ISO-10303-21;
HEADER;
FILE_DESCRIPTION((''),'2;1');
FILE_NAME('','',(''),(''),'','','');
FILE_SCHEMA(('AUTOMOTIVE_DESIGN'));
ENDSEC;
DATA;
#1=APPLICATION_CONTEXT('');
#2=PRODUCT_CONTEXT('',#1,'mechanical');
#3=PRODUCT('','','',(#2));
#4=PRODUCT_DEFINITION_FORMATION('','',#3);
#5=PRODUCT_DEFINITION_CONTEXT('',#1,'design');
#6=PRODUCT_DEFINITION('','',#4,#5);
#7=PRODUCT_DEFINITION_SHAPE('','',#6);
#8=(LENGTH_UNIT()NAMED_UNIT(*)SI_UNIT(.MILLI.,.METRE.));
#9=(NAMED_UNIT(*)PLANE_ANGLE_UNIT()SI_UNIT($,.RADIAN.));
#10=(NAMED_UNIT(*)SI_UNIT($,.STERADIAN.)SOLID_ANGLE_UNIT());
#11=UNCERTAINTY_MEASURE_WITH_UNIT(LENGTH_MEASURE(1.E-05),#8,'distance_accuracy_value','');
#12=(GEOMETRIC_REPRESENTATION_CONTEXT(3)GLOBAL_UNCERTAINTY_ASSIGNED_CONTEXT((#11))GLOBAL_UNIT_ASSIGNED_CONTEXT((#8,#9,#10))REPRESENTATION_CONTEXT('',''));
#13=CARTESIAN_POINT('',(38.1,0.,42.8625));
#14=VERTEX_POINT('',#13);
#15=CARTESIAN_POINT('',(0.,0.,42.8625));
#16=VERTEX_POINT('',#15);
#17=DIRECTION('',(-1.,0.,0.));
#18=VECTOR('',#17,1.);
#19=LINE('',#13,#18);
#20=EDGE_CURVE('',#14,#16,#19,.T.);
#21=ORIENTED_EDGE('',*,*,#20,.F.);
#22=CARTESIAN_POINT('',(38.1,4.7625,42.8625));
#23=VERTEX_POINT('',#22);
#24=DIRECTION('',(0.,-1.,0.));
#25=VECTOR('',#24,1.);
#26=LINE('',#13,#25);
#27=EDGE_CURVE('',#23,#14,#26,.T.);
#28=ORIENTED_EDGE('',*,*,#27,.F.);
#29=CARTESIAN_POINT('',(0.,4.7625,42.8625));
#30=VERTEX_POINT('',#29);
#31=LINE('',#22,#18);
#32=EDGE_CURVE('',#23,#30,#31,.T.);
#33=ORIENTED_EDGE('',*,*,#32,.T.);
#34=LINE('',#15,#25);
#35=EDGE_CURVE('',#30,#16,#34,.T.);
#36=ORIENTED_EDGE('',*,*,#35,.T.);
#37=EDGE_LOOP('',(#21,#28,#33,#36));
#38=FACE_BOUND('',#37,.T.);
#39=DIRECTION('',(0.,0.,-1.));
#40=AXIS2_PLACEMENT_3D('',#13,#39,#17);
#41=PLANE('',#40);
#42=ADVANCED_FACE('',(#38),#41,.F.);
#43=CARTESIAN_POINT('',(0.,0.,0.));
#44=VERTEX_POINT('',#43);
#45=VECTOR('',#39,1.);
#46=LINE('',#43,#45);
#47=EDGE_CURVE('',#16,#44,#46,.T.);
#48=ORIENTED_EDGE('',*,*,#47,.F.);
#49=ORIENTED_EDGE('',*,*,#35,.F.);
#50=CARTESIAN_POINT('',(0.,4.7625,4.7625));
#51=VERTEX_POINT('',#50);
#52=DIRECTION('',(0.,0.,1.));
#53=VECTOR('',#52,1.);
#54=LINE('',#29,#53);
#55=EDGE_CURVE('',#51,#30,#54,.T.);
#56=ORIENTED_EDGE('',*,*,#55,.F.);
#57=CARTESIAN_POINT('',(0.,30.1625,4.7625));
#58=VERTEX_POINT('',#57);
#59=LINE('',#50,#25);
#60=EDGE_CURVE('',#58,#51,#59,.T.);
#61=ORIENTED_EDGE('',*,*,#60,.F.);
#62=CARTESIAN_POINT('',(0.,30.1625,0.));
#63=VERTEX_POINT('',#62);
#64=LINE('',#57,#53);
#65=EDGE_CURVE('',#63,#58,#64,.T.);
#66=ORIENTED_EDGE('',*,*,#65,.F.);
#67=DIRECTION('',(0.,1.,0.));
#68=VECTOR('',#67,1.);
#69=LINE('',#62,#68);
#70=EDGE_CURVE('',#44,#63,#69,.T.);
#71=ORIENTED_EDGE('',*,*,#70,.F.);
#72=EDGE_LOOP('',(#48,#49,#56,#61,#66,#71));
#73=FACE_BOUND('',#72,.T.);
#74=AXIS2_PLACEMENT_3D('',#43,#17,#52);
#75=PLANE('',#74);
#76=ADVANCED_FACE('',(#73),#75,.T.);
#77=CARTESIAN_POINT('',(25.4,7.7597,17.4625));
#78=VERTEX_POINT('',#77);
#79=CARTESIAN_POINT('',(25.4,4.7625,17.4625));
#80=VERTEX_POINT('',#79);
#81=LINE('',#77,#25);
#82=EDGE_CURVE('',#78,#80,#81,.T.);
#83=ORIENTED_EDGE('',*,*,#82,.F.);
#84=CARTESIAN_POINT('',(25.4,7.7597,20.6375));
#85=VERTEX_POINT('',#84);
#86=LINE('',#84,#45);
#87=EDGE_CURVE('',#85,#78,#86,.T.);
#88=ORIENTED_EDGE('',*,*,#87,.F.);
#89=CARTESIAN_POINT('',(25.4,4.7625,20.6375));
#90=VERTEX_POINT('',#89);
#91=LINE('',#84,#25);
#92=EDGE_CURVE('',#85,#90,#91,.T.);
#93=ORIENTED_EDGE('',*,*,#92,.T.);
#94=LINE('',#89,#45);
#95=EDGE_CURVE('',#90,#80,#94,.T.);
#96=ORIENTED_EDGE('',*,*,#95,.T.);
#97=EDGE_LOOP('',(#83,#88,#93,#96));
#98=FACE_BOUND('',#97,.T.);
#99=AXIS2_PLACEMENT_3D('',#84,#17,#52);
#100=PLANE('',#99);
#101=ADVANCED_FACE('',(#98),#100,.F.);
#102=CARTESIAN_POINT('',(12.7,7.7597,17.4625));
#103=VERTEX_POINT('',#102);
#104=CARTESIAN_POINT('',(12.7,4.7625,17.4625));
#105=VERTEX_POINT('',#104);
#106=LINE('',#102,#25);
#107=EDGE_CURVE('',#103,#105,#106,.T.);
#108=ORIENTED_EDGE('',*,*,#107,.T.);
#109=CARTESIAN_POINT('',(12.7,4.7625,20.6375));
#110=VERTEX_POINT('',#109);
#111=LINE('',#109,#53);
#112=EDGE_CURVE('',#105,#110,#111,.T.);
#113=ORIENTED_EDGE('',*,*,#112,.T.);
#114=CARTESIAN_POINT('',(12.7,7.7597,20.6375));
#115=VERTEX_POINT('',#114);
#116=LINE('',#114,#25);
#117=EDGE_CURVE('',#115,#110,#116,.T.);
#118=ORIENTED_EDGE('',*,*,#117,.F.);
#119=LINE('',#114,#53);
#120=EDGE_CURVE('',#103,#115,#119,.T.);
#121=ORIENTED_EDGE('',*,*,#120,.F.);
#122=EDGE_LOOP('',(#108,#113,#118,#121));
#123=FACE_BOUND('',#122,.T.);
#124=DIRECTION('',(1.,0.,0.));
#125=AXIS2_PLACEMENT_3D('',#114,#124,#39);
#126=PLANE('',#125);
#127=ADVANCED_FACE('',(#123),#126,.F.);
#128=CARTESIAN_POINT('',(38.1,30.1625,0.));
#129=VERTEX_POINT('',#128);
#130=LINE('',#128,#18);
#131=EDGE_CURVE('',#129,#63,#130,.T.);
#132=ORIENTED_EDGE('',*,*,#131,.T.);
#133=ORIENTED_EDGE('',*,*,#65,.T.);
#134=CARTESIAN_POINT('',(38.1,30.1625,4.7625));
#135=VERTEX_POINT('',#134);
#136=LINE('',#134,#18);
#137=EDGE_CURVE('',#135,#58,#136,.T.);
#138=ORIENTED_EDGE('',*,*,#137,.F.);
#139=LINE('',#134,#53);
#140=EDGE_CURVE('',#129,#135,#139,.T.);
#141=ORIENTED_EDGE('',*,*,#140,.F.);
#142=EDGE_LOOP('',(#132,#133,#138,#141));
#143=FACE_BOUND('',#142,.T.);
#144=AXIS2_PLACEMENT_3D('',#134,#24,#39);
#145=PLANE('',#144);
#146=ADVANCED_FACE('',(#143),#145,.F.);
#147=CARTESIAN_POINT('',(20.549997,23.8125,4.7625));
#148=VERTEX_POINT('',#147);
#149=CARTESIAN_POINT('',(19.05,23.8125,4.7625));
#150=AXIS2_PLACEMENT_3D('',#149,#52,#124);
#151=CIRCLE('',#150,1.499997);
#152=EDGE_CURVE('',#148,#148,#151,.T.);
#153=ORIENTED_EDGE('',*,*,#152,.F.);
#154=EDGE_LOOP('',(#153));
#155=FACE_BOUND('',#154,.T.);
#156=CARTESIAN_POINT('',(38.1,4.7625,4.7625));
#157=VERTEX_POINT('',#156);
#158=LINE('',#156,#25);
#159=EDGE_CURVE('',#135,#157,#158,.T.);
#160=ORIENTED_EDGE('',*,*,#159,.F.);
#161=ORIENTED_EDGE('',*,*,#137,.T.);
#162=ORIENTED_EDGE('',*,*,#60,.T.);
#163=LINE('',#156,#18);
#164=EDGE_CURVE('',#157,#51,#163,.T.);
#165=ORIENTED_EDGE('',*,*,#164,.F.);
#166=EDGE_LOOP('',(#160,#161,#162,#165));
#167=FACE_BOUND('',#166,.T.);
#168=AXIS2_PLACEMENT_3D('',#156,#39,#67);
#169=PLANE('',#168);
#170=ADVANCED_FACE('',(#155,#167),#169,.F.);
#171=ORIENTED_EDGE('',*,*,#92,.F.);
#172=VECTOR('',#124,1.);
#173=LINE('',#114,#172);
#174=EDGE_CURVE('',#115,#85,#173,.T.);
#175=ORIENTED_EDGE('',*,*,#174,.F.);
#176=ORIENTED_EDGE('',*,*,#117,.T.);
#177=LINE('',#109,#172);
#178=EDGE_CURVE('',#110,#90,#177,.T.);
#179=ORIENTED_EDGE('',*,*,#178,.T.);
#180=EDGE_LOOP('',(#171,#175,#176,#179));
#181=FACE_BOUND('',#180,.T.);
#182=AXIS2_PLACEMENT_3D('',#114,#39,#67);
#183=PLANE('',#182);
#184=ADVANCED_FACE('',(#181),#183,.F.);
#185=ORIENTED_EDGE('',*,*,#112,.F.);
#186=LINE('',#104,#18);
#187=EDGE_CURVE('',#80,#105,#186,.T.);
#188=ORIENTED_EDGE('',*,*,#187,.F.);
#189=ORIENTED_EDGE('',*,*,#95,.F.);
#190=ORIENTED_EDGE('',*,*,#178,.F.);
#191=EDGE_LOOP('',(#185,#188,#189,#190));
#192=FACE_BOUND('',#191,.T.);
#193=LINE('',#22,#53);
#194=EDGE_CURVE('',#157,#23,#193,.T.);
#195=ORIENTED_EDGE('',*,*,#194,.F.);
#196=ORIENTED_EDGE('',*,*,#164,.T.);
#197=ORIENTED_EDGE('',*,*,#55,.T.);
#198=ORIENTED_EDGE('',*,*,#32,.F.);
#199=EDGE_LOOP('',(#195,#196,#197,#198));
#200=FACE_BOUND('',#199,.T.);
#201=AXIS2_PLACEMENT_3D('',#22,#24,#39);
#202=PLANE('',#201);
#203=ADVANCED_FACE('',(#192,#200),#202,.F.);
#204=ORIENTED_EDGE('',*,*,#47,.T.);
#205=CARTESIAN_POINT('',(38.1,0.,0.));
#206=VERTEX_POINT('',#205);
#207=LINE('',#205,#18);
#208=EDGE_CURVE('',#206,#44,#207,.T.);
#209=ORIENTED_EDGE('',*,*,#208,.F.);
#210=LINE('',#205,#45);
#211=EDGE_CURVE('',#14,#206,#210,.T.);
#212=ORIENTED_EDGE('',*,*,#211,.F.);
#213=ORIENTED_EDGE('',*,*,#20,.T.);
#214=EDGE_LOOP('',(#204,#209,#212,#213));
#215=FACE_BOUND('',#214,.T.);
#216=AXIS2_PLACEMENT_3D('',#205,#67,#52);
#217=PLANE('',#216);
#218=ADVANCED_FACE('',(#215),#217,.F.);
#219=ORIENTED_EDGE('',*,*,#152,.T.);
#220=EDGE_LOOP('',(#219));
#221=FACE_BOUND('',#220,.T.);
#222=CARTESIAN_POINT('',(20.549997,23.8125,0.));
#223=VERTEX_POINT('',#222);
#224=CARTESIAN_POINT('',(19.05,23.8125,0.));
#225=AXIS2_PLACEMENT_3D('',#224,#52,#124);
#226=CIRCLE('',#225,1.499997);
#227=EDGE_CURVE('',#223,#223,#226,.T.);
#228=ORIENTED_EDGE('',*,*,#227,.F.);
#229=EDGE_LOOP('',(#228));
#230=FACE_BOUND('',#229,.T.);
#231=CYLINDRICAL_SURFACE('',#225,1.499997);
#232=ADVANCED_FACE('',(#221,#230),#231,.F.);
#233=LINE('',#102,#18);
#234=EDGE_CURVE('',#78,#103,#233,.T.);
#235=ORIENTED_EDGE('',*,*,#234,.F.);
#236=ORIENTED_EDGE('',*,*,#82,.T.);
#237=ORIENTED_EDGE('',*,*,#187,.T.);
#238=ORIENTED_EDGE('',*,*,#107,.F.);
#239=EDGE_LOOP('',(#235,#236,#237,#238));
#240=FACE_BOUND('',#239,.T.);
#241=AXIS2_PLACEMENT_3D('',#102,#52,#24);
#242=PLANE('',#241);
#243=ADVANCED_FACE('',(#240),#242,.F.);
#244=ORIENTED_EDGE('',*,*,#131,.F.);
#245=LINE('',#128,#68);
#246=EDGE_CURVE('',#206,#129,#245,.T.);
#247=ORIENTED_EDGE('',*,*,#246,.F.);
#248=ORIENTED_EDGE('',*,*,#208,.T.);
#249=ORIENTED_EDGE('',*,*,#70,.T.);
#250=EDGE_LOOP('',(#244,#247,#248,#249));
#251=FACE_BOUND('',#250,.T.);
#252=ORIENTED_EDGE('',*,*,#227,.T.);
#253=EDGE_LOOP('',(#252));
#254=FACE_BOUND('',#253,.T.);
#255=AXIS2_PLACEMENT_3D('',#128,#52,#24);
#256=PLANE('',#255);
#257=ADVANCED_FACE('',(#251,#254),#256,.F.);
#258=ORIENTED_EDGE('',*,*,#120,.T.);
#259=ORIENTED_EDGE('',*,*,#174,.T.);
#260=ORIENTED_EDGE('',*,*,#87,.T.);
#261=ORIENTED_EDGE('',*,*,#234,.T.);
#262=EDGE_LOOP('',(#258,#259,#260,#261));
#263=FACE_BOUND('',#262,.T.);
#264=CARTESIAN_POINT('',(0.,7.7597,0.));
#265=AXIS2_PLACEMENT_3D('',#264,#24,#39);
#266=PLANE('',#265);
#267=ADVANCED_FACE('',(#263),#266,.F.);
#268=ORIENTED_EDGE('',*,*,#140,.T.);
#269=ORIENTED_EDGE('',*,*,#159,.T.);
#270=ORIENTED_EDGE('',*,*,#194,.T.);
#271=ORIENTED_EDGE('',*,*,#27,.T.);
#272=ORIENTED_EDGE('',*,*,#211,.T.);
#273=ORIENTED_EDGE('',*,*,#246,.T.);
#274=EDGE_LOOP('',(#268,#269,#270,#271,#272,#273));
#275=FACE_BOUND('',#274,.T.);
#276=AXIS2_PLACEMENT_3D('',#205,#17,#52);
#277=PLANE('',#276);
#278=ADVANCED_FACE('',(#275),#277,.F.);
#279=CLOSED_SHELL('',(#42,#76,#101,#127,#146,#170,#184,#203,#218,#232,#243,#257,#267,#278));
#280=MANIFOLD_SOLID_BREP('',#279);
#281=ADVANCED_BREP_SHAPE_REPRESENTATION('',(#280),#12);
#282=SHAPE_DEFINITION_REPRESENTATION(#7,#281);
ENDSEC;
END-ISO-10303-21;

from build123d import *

# Parameters (mm, degrees)
BOSS_EXTRUDE1_DEPTH = 38.1
SKETCH2_W           = 12.7
SKETCH2_H           = 3.175
BOSS_EXTRUDE2_DEPTH = 2.9972
SKETCH3_R           = 1.499997
CUT_EXTRUDE1_DEPTH  = 62.749464826


with BuildPart() as part:
    # Sketch1 → Boss-Extrude1 (new body)
    with BuildSketch(Plane(origin=(0, 0, 0), x_dir=(0, 0, -1), z_dir=(1, 0, 0))):
        Polygon((0, 0), (-42.8625, 0), (-42.8625, 4.7625), (-4.7625, 4.7625), (-4.7625, 30.1625), (0, 30.1625), align=None)
    extrude(amount=BOSS_EXTRUDE1_DEPTH)

    # Sketch2 → Boss-Extrude2 (add)
    with BuildSketch(Plane(origin=(0, 4.7625, 0), x_dir=(1, 0, 0), z_dir=(0, 1, 0))):
        with Locations((19.05, -19.05)):
            Rectangle(SKETCH2_W, SKETCH2_H)
    extrude(amount=BOSS_EXTRUDE2_DEPTH)

    # Sketch3 → Cut-Extrude1 (cut, through all)
    with BuildSketch(Plane.XY.offset(4.7625)):
        with Locations((19.05, 23.8125)):
            Circle(SKETCH3_R)
    extrude(amount=-CUT_EXTRUDE1_DEPTH, mode=Mode.SUBTRACT)


solid = part.part
